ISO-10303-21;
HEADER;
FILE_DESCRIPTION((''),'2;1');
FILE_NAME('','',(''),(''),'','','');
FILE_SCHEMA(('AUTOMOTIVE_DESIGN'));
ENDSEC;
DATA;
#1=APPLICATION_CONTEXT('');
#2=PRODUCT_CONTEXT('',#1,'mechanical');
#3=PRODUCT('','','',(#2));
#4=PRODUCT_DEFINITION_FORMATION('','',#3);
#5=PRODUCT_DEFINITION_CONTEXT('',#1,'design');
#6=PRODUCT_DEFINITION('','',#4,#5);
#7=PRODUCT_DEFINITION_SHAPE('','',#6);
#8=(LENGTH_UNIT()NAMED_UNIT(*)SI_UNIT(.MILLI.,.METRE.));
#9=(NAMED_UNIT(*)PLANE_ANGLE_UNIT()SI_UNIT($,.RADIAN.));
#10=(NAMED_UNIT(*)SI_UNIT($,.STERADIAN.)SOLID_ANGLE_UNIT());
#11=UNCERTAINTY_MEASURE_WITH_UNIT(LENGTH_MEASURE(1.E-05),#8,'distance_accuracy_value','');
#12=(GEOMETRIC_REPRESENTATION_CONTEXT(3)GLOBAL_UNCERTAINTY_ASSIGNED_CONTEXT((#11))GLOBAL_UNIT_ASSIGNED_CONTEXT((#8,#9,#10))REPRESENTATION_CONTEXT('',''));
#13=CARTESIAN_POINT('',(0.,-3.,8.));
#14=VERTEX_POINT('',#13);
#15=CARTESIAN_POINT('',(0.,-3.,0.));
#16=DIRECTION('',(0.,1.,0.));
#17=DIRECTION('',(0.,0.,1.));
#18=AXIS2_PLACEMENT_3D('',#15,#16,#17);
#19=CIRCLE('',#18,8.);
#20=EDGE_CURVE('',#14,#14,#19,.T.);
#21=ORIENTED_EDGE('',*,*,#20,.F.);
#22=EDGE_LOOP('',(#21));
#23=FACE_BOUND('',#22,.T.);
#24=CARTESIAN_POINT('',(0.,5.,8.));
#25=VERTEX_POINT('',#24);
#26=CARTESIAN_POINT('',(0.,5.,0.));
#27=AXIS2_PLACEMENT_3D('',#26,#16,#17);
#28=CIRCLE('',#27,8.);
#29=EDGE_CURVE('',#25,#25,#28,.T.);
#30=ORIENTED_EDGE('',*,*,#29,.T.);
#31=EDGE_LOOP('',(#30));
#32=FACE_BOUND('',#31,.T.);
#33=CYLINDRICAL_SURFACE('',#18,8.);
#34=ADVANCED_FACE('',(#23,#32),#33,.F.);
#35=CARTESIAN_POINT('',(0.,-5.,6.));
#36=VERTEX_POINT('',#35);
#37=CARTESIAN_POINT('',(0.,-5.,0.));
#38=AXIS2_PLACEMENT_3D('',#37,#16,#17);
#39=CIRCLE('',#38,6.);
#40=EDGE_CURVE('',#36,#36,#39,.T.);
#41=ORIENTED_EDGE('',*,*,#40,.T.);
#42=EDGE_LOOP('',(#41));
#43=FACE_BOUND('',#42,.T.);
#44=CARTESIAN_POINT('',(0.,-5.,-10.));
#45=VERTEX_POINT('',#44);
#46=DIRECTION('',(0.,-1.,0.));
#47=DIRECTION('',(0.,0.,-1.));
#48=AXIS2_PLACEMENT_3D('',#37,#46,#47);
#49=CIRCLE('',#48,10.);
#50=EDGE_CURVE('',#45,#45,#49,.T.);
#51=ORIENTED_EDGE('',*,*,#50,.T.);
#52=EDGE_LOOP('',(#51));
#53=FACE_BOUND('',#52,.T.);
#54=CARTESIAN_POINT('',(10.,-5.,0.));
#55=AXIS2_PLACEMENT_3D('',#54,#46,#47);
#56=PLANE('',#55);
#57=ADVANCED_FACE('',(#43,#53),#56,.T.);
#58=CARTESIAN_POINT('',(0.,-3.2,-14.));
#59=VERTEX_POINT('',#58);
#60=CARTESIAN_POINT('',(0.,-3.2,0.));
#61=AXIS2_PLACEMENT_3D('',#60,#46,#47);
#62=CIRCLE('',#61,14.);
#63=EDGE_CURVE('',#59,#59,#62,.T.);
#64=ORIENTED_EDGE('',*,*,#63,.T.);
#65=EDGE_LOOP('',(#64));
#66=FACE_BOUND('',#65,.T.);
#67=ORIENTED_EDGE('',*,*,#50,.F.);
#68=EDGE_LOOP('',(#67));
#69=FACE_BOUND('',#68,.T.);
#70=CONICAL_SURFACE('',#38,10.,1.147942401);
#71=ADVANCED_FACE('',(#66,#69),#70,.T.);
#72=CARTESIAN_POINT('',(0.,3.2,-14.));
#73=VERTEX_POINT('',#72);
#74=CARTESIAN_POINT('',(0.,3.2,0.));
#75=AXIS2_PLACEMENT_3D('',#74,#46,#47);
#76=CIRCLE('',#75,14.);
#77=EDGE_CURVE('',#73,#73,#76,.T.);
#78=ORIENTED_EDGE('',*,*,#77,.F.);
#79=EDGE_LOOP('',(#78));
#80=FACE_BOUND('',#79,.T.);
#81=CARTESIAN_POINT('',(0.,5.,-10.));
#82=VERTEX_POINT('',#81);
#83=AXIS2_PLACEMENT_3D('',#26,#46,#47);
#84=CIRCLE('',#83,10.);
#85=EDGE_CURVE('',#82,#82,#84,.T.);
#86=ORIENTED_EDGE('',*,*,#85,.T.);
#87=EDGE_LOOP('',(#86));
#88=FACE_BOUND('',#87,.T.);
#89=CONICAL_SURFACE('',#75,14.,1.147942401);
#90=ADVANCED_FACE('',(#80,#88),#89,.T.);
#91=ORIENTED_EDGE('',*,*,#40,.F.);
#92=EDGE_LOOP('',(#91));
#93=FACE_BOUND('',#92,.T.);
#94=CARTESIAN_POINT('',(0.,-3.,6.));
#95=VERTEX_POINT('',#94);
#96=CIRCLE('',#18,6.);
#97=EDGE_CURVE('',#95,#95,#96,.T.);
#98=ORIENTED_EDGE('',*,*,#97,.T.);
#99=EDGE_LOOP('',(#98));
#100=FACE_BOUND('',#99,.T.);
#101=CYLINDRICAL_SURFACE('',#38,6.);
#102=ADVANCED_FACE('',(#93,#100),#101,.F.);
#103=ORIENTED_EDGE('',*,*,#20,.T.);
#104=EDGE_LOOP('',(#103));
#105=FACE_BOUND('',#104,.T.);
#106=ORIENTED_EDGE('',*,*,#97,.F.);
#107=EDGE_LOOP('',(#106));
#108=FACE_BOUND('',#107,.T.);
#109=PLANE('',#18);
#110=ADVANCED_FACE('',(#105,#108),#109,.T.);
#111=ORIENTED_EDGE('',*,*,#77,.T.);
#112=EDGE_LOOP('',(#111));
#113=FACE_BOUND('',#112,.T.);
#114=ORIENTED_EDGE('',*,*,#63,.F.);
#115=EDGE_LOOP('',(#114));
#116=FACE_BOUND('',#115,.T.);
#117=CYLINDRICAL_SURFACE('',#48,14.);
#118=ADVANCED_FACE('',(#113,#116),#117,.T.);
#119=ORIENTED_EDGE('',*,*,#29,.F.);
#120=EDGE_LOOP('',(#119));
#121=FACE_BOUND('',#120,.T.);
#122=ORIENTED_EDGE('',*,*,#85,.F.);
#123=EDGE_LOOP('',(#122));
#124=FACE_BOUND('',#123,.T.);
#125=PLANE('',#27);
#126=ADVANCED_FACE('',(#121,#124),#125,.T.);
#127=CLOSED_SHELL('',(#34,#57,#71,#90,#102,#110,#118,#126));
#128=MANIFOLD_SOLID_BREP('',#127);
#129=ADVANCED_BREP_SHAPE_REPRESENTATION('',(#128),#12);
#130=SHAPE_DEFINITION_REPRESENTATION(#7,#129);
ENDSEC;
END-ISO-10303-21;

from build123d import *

# Parameters (mm, degrees)
CUT_EXTRUDE_START        = 5
SKETCH_2_R               = 8
CUT_EXTRUDE_1_DEPTH      = 8
CUT_EXTRUDE_2_DEPTH      = 21.420577857
CUT_EXTRUDE_2_DEPTH_BACK = 21.420577857
SKETCH_3_R               = 6


with BuildPart() as part:
    # 草图1 → 旋转1 (revolve)
    with BuildSketch(Plane.XY, mode=Mode.PRIVATE) as revolve_1_sk:
        Polygon((0, 5), (10, 5), (14, 3.2), (14, -3.2), (10, -5), (0, -5), align=None)
    revolve(revolve_1_sk.sketch.rotate(Axis((0, -5, 0), (0, 1, 0)), 90), axis=Axis((0, -5, 0), (0, 1, 0)))

    # 草图2 → 切除-拉伸1 (cut)
    with BuildSketch(Plane(origin=(0, 0, 0), x_dir=(1, 0, 0), z_dir=(0, 1, 0)).offset(CUT_EXTRUDE_START)):
        with Locations(Location((0, 0, 0), (0, 0, 270))):
            Circle(SKETCH_2_R)
    extrude(amount=-CUT_EXTRUDE_1_DEPTH, mode=Mode.SUBTRACT)

    # 草图3 → 切除-拉伸2 (cut, two sides: drawn at the far end of the back side and taken through both)
    with BuildSketch(Plane(origin=(0, 0, 0), x_dir=(1, 0, 0), z_dir=(0, 1, 0)).offset(-CUT_EXTRUDE_2_DEPTH_BACK)):
        with Locations(Location((0, 0, 0), (0, 0, 270))):
            Circle(SKETCH_3_R)
    extrude(amount=CUT_EXTRUDE_2_DEPTH + CUT_EXTRUDE_2_DEPTH_BACK, mode=Mode.SUBTRACT)


solid = part.part
